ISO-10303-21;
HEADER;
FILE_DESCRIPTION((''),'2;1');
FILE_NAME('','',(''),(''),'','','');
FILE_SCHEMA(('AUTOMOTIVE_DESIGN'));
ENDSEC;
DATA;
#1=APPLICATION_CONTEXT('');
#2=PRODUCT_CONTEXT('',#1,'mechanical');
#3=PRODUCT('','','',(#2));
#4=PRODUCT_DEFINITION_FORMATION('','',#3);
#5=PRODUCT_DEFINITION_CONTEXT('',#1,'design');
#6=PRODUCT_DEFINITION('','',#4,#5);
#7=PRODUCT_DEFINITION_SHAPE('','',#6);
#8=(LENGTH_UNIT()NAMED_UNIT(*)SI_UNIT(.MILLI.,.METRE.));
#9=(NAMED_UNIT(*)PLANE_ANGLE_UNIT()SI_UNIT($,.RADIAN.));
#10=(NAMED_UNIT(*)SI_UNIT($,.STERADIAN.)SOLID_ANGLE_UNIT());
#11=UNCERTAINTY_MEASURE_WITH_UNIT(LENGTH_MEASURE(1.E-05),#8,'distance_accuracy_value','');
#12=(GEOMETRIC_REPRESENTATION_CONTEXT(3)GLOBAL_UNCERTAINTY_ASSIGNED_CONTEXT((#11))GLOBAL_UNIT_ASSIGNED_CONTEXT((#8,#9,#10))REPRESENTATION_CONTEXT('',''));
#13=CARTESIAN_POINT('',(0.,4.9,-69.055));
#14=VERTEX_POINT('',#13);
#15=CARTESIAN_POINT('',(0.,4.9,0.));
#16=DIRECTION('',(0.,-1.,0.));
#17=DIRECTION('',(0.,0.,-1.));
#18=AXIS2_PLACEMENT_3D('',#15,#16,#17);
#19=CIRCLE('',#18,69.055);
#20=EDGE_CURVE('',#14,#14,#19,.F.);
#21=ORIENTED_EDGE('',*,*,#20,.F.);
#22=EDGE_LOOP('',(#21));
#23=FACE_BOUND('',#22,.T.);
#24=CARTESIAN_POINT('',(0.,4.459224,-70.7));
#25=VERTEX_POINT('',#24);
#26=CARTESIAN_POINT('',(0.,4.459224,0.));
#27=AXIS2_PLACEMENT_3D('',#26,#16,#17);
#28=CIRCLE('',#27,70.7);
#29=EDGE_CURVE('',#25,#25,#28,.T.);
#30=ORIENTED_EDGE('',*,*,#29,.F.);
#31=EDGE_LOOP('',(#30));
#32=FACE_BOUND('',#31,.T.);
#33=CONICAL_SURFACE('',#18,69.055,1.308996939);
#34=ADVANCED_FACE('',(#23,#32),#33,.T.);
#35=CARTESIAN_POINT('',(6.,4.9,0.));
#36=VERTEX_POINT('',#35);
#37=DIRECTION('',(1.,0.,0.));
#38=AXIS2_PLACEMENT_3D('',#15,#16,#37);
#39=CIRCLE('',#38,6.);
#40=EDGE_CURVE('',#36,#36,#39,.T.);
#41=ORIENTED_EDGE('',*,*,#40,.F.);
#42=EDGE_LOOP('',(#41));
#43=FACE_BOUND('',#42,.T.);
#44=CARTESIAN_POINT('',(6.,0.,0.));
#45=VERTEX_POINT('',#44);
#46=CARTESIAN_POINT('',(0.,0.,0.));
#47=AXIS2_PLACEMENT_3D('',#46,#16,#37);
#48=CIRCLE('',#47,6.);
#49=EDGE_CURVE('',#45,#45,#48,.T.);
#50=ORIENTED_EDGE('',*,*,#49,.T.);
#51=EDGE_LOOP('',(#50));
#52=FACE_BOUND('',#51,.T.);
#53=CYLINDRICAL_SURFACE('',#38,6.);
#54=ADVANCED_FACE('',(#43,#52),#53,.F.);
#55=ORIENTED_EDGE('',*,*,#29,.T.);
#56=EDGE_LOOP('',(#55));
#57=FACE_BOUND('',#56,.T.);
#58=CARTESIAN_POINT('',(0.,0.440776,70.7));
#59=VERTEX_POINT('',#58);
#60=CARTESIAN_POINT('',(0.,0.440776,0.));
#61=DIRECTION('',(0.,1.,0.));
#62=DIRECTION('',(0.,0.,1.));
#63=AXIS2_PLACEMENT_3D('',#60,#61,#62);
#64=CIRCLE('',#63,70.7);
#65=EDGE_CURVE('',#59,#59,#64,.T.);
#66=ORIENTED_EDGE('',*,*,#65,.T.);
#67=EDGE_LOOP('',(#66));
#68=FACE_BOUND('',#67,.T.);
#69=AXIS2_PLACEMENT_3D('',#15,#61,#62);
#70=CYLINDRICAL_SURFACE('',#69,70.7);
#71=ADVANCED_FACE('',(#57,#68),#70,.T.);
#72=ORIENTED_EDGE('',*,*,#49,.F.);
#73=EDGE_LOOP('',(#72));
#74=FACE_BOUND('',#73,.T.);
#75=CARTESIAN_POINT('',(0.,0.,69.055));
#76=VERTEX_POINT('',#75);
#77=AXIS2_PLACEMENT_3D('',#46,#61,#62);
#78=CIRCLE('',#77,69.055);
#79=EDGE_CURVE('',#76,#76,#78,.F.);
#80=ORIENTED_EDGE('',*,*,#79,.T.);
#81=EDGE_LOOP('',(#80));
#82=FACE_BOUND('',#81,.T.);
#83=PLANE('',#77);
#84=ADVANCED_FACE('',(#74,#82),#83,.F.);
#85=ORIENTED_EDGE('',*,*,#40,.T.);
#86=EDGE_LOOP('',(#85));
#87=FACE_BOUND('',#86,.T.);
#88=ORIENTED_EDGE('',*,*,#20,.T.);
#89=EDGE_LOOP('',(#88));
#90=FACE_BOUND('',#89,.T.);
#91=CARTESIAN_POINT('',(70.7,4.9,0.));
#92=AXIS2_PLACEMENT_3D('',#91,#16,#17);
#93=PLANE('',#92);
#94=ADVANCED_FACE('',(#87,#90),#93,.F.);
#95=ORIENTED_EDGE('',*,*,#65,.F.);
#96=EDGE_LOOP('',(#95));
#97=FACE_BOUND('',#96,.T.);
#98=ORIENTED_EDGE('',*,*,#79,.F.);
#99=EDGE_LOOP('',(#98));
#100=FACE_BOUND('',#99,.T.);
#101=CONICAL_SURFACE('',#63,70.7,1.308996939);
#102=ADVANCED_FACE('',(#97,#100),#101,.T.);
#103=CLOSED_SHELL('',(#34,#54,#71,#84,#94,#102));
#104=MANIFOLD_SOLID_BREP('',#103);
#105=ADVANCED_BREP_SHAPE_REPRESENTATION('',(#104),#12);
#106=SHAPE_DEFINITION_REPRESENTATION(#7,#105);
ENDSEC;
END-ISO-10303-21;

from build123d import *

# Parameters (mm, degrees)
SKETCH_1_W               = 70.7
SKETCH_1_H               = 4.9
CHAMFER_1_SIZE           = 1.645
CHAMFER_1_SIZE2          = 0.440776422
CHAMFER_2_SIZE           = 1.645
CHAMFER_2_SIZE2          = 0.440776422
SKETCH_2_R               = 6
CUT_EXTRUDE_3_DEPTH      = 1
CUT_EXTRUDE_3_DEPTH_BACK = 5.9


with BuildPart() as part:
    # Эскиз1 → Повернуть2 (revolve)
    with BuildSketch(Plane.XY):
        with Locations((35.35, 2.45)):
            Rectangle(SKETCH_1_W, SKETCH_1_H)
    revolve(axis=Axis((0, 4.9, 0), (0, -1, 0)))

    # Фаска1
    chamfer_1_edges = [part.edges().sort_by_distance(p)[0] for p in [
        (-70.7, 4.9, 0),
    ]]
    chamfer_1_side = [part.faces().sort_by_distance(p)[0] for p in [
        (0, 4.9, 0),
    ]]
    chamfer(chamfer_1_edges, length=CHAMFER_1_SIZE, length2=CHAMFER_1_SIZE2, reference=chamfer_1_side[0])

    # Фаска2
    chamfer_2_edges = [part.edges().sort_by_distance(p)[0] for p in [
        (-70.7, 0, 0),
    ]]
    chamfer_2_side = [part.faces().sort_by_distance(p)[0] for p in [
        (0, 0, 0),
    ]]
    chamfer(chamfer_2_edges, length=CHAMFER_2_SIZE, length2=CHAMFER_2_SIZE2, reference=chamfer_2_side[0])

    # Эскиз2 → Вырез-Вытянуть3 (cut, two sides)
    with BuildSketch(Plane(origin=(0, 0, 0), x_dir=(-1, 0, 0), z_dir=(0, -1, 0))) as cut_extrude_3_sk:
        Circle(SKETCH_2_R)
    extrude(amount=CUT_EXTRUDE_3_DEPTH, mode=Mode.SUBTRACT)
    extrude(cut_extrude_3_sk.sketch, amount=-CUT_EXTRUDE_3_DEPTH_BACK, mode=Mode.SUBTRACT)


solid = part.part
